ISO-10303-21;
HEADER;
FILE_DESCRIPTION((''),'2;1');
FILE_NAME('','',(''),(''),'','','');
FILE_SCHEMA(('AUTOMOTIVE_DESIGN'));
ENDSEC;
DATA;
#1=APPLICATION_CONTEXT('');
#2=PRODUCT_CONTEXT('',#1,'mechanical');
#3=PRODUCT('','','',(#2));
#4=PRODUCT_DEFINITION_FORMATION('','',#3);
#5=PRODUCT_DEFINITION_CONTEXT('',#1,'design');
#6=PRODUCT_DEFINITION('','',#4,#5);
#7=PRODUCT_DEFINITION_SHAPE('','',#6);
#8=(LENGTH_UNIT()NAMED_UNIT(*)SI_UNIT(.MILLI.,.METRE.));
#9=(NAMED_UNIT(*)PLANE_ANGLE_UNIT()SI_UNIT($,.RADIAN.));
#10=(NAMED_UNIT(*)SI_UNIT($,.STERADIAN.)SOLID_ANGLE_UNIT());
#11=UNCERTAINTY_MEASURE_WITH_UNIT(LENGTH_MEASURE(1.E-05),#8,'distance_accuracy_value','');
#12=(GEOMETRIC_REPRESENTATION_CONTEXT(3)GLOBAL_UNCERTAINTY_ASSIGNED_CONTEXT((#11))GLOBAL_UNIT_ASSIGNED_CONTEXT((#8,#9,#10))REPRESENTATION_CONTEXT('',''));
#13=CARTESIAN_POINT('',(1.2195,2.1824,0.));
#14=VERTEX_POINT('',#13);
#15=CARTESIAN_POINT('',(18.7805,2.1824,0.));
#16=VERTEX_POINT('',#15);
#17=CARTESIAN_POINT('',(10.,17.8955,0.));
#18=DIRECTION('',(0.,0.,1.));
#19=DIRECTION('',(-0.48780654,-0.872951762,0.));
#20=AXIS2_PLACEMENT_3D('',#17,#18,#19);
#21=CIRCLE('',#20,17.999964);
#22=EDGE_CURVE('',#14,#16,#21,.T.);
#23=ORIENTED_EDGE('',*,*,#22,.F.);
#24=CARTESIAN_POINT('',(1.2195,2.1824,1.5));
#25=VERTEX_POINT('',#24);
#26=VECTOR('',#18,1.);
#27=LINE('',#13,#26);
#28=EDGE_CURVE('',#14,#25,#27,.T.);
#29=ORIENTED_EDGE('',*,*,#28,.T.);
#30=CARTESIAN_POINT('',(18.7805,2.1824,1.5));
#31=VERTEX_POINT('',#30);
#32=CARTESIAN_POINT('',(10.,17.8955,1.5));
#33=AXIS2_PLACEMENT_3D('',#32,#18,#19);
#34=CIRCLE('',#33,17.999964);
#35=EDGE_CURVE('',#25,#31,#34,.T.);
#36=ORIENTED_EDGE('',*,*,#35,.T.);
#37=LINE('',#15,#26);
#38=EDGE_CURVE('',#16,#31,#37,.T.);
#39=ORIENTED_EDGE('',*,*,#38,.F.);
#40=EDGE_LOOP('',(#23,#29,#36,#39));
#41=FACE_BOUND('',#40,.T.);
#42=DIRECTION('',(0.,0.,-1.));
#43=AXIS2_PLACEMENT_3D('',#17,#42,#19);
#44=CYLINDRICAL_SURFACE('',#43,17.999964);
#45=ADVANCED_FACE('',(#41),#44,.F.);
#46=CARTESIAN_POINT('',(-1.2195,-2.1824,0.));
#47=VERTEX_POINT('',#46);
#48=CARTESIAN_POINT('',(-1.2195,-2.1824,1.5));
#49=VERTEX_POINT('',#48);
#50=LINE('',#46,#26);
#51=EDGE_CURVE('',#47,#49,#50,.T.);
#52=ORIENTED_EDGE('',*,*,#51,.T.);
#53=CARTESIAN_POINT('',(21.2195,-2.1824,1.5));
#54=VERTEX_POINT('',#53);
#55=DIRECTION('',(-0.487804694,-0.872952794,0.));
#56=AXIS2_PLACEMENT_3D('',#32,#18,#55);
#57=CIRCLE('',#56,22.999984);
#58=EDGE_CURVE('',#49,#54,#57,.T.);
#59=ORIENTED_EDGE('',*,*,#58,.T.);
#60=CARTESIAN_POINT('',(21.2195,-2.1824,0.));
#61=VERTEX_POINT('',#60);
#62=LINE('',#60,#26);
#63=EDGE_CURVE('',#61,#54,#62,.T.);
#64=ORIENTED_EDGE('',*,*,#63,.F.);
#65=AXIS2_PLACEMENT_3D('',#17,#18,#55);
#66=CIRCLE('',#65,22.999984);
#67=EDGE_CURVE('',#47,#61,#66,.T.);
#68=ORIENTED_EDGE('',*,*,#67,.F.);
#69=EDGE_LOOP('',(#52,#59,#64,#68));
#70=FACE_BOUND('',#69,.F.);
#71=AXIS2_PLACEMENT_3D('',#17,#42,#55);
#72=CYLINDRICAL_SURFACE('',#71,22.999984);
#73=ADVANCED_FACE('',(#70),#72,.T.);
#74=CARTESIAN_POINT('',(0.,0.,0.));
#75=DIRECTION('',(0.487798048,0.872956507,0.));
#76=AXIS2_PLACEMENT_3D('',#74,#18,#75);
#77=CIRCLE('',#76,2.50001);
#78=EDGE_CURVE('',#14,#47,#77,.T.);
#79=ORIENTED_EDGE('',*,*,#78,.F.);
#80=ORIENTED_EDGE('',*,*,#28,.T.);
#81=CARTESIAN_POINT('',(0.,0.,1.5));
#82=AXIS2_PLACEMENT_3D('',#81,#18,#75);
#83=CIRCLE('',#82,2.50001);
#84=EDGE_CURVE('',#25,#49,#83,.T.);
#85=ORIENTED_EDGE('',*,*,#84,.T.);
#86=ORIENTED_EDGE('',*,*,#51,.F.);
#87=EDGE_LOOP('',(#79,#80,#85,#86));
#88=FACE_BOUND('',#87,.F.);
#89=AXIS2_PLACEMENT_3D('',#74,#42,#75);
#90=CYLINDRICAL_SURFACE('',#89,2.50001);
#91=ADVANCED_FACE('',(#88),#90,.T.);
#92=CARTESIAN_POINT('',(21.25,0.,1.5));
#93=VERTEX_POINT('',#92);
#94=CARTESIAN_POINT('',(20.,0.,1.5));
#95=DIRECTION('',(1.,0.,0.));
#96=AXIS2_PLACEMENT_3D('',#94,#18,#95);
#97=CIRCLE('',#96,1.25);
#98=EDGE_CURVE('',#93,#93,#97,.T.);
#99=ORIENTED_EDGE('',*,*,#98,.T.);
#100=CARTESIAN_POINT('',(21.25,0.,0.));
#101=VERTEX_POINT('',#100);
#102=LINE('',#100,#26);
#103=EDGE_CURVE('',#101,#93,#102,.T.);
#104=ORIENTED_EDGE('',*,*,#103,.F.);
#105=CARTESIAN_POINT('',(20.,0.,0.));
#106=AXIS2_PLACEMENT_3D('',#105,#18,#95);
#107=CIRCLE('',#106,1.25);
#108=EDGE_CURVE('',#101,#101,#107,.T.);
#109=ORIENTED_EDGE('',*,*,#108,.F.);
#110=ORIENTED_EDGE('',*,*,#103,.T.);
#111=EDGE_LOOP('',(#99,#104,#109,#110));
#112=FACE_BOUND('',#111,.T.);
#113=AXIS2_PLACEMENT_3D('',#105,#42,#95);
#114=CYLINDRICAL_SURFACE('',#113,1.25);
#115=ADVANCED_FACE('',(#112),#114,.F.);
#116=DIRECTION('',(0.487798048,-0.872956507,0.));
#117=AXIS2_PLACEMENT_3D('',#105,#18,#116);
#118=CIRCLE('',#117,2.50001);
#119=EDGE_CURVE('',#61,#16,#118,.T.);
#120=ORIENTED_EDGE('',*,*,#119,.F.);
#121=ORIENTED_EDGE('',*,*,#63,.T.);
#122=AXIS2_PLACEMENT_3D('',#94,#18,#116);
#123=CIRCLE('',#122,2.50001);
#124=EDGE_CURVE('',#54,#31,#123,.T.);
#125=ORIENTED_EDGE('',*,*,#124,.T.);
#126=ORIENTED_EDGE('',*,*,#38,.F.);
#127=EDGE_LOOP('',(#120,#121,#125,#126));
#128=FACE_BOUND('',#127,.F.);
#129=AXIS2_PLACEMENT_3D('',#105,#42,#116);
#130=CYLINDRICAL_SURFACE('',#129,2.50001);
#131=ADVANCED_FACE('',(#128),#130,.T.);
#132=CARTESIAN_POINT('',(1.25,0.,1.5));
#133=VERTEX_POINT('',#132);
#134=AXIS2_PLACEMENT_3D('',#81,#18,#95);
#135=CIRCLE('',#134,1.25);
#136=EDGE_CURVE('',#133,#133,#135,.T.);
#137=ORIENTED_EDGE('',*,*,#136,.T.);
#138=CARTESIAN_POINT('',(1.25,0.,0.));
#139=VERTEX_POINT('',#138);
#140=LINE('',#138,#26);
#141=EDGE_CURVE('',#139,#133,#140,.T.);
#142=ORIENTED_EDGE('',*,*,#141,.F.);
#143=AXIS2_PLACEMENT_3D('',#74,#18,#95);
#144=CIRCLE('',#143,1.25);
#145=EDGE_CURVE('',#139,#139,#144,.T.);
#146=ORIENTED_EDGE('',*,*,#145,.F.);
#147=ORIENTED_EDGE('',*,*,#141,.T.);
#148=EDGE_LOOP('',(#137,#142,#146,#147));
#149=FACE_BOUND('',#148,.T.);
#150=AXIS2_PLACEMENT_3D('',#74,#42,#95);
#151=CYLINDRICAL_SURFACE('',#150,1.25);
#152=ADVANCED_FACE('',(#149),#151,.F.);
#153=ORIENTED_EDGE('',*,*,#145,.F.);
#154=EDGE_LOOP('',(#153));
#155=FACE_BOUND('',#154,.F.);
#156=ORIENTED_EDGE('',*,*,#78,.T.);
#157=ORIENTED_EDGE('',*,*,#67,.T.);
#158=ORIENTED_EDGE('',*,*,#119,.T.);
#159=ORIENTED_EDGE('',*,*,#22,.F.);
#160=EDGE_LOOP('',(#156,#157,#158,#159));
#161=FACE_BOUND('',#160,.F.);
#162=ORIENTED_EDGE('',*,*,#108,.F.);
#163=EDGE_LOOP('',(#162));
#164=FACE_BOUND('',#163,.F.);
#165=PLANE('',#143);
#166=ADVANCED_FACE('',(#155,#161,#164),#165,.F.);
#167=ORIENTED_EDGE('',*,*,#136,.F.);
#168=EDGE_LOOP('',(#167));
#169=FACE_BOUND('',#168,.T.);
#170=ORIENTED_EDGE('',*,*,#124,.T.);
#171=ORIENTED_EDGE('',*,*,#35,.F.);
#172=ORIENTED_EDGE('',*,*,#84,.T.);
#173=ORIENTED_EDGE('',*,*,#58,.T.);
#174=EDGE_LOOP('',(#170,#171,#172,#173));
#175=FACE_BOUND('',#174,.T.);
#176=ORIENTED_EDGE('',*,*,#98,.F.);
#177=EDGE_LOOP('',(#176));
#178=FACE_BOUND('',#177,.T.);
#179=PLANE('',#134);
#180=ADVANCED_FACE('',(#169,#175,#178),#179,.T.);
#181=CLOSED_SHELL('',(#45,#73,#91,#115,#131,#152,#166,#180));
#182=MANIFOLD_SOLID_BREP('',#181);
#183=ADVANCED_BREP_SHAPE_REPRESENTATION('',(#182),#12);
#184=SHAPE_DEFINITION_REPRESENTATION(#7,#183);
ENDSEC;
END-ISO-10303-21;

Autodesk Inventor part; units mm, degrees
ref_plane "YZ Plane" through (0, 0, 0) normal (1, 0, 0) x (0, 1, 0)
ref_plane "XZ Plane" through (0, 0, 0) normal (0, 1, 0) x (-1, 0, 0)
ref_plane "XY Plane" through (0, 0, 0) normal (0, 0, 1) x (1, 0, 0)
sketch "Sketch1" plane through (0, 0, 0) normal (0, 0, 1) x (1, 0, 0)
  circle A0 centre (0, 0) radius 1.25
  line L0 (0, 0) -> (20, 0) construction
  circle A1 centre (20, 0) radius 1.25
  arc A2 (1.2195, 2.1824) -> (-1.2195, -2.1824) centre (0, 0) ccw
  arc A3 (21.2195, -2.1824) -> (18.7805, 2.1824) centre (20, 0) ccw
  arc A4 (1.2195, 2.1824) -> (18.7805, 2.1824) centre (10, 17.8955) ccw
  arc A5 (-1.2195, -2.1824) -> (21.2195, -2.1824) centre (10, 17.8955) ccw
  dimension "d0" = 2.5
  dimension "d1" = 20
  dimension "d8" = 5
  dimension "d17" = 18
extrude "Extrusion1" add sketch "Sketch1" along normal blind 1.5
properties part number "linkageA_mini"
